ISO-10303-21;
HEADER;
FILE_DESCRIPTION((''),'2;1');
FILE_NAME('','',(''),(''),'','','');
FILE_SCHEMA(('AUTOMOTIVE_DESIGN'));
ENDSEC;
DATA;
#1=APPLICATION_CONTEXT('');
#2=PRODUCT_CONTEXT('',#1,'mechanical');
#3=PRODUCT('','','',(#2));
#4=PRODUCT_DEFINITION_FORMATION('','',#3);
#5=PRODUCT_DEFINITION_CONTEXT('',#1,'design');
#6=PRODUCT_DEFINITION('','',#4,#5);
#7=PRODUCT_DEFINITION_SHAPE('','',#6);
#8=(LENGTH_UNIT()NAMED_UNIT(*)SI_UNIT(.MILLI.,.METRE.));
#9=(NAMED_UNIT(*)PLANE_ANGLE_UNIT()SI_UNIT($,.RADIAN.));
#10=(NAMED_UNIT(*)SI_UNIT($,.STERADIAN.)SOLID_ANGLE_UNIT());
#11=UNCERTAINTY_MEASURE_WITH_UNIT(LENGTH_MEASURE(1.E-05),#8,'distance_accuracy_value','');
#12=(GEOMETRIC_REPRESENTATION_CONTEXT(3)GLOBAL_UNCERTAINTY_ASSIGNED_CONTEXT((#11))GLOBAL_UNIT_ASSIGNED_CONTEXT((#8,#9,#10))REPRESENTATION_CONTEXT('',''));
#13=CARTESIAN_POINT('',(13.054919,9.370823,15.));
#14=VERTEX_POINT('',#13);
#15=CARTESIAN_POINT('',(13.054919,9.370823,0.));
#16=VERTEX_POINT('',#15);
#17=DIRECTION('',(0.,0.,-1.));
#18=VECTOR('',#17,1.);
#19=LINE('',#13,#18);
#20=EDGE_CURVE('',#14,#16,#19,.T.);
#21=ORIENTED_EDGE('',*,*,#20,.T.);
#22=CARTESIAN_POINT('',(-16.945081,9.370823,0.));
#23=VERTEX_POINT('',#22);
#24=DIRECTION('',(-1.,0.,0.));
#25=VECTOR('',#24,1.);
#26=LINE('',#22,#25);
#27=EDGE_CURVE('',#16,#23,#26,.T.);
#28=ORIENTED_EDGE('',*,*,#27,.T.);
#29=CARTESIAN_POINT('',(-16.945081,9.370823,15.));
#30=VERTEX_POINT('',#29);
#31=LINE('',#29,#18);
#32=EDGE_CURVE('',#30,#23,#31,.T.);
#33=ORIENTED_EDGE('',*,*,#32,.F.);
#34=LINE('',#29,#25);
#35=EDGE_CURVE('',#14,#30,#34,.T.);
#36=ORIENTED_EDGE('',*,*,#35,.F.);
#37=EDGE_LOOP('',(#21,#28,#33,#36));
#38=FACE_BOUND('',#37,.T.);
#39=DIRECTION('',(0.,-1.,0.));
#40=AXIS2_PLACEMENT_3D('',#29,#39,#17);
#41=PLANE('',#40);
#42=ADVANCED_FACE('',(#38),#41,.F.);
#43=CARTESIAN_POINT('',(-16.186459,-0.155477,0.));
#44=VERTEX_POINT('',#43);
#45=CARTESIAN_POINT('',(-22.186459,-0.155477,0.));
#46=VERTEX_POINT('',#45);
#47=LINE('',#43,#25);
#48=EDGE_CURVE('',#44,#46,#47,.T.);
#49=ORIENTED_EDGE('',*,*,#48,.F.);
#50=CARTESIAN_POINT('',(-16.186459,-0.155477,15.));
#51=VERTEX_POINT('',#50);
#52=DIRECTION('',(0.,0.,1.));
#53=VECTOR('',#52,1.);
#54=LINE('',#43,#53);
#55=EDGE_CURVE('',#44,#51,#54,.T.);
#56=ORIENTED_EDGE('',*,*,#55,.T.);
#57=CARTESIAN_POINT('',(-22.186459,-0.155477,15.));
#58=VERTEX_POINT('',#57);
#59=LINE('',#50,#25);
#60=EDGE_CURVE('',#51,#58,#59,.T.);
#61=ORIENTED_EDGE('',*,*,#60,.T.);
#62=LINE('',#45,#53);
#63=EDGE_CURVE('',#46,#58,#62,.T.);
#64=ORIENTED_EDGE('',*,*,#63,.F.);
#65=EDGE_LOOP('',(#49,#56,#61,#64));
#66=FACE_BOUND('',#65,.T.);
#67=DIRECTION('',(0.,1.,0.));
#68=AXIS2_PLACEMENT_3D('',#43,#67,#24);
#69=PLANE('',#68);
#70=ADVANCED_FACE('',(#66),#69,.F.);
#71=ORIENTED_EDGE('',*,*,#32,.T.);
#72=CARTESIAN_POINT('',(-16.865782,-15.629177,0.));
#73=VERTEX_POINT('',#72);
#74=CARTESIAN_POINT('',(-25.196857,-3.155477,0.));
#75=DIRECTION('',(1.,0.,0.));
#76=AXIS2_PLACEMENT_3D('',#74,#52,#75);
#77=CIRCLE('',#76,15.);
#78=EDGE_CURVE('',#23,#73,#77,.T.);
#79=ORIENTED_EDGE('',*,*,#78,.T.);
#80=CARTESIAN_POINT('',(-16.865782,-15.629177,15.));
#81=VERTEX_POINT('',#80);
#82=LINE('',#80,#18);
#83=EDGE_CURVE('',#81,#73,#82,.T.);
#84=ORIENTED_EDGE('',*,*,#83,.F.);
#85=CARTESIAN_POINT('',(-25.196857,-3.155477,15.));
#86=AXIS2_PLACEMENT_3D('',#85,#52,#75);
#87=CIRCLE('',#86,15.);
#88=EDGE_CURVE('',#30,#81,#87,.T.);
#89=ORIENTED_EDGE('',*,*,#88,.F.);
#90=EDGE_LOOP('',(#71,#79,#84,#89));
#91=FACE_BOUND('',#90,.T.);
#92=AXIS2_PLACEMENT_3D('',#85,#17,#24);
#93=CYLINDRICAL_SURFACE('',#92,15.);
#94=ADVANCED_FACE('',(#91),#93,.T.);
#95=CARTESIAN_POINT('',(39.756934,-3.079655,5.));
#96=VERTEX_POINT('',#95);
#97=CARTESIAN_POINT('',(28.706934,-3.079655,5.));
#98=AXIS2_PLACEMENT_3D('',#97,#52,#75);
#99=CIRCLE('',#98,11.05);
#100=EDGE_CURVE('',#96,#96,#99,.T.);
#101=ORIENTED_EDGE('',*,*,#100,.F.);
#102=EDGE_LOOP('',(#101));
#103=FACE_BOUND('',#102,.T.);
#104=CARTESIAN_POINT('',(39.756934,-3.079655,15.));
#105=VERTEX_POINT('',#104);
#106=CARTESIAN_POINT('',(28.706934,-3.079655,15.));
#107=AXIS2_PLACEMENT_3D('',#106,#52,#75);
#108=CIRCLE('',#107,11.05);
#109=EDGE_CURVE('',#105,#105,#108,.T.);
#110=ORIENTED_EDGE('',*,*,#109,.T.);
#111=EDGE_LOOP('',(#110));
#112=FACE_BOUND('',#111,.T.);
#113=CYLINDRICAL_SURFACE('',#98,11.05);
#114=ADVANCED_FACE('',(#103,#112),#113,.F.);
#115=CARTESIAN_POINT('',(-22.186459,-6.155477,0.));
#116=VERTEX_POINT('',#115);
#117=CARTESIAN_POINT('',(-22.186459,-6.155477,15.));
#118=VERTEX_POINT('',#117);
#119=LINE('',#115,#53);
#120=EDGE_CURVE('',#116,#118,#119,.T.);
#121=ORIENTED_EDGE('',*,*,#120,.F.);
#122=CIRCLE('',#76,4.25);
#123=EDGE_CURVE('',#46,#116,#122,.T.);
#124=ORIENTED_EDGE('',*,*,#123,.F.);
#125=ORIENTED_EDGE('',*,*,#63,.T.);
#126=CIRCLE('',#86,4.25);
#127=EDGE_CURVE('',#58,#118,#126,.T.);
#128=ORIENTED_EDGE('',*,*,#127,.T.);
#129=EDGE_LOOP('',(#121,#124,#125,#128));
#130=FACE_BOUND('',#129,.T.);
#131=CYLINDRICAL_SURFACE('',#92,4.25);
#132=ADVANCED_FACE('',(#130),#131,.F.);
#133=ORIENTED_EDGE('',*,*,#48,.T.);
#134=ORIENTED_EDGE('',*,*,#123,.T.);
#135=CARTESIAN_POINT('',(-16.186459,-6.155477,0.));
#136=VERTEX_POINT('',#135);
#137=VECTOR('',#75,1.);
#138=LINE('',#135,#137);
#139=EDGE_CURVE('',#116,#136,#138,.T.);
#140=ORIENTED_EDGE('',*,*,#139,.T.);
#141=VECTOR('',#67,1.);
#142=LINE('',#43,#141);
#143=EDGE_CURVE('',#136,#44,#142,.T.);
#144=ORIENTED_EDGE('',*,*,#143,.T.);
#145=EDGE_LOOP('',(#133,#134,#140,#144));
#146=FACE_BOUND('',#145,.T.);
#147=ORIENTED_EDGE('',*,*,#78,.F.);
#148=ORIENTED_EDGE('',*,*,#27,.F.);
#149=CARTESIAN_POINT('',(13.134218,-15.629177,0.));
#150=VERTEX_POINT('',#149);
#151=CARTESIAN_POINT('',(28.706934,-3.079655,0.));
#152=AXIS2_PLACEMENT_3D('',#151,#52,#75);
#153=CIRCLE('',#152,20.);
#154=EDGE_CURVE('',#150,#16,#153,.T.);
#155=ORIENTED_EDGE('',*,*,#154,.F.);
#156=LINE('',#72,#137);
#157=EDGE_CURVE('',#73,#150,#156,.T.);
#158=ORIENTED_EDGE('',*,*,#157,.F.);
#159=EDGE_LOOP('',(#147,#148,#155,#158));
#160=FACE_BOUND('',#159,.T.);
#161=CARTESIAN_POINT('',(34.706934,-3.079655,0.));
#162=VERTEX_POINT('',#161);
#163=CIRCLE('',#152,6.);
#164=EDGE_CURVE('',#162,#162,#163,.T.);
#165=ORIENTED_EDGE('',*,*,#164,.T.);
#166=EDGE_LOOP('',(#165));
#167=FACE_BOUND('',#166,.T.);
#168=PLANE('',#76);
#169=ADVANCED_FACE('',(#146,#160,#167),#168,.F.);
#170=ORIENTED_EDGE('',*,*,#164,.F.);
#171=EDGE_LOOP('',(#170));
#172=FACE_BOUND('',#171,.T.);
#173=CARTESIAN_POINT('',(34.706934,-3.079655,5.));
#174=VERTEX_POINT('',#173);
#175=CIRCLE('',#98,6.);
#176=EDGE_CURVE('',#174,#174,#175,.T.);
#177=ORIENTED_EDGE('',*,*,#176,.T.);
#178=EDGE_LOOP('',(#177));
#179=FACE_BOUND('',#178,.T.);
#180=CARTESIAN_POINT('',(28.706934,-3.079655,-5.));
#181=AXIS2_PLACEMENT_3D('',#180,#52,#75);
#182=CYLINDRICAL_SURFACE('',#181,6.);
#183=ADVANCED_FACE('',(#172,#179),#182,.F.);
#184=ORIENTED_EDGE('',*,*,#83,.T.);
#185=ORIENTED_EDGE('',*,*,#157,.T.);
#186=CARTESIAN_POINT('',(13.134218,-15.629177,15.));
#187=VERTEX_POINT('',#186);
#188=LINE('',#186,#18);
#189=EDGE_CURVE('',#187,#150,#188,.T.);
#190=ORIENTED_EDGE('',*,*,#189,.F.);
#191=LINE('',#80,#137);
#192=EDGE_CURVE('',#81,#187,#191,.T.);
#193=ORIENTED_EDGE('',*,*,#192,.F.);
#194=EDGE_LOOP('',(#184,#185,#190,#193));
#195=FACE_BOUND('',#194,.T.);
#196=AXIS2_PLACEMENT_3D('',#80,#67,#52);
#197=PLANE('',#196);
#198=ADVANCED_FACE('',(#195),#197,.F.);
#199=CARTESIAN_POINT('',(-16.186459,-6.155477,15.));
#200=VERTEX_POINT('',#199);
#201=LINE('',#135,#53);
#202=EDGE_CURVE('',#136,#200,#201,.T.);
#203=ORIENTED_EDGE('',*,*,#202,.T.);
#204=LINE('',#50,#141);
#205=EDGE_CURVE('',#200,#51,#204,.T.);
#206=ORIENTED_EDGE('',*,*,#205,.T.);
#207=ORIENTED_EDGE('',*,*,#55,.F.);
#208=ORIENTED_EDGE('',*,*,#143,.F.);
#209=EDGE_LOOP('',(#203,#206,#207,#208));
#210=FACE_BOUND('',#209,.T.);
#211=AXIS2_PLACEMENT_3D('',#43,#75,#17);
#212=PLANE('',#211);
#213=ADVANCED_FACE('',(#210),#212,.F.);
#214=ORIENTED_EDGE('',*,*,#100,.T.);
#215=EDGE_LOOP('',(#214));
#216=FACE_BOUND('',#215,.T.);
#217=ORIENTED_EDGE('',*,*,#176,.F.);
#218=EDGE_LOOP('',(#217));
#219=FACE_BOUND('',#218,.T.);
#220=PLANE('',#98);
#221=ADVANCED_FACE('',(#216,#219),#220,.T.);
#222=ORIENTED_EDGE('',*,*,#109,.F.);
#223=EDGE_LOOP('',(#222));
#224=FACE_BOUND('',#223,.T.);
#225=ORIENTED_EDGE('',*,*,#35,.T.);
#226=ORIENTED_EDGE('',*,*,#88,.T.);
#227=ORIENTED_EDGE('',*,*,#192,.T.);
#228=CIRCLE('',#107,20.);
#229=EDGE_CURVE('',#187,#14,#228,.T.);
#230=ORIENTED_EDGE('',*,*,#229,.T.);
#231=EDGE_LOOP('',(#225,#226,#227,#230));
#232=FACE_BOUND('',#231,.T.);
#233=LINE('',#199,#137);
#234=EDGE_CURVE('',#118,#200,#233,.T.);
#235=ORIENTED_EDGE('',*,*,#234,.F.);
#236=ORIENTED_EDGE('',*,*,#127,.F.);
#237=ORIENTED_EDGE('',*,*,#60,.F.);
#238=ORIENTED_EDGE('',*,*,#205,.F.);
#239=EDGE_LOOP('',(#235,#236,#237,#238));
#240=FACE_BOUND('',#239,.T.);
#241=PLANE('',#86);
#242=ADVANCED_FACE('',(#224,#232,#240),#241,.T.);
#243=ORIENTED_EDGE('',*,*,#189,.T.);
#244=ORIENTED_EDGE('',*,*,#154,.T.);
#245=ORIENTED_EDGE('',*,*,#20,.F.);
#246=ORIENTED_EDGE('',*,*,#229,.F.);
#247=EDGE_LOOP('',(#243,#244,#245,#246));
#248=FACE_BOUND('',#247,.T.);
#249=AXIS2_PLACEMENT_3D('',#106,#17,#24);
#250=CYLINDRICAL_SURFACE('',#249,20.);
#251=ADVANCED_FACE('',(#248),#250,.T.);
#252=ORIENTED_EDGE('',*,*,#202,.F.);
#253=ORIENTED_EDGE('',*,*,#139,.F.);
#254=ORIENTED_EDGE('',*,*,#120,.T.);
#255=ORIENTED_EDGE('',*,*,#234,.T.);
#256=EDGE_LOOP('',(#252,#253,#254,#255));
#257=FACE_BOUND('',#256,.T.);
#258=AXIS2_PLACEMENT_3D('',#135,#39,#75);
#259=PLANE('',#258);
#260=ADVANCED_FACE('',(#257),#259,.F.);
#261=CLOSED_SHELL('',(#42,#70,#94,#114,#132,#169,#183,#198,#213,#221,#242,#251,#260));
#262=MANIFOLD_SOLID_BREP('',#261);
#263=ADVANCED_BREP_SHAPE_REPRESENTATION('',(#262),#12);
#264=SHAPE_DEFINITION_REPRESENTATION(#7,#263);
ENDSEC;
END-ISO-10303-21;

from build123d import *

# Parameters (mm, degrees)
SKETCH1_R           = 4.25
BOSS_EXTRUDE1_DEPTH = 15
SKETCH2_R           = 11.05
CUT_EXTRUDE1_DEPTH  = 10
SKETCH3_R           = 6
CUT_EXTRUDE2_DEPTH  = 10
CUT_EXTRUDE5_DEPTH  = 15


with BuildPart() as part:
    # Sketch1 → Boss-Extrude1 (new body)
    with BuildSketch(Plane.XY):
        with BuildLine():
            Line((-16.865782324, -15.62917697), (13.134217676, -15.62917697))
            ThreePointArc((13.134217676, -15.62917697), (48.706833622, -3.016216146), (13.054918576, 9.37082303))
            Line((13.054918576, 9.37082303), (-16.945081424, 9.37082303))
            ThreePointArc((-16.945081424, 9.37082303), (-40.196781878, -3.203056293), (-16.865782324, -15.62917697))
        make_face()
        with Locations((-25.196857337, -3.155477073)):
            Circle(SKETCH1_R, mode=Mode.SUBTRACT)
    extrude(amount=BOSS_EXTRUDE1_DEPTH)

    # Sketch2 → Cut-Extrude1 (cut)
    with BuildSketch(Plane.XY.offset(15)):
        with Locations((28.706934234, -3.079655107)):
            Circle(SKETCH2_R)
    extrude(amount=-CUT_EXTRUDE1_DEPTH, mode=Mode.SUBTRACT)

    # Sketch3 → Cut-Extrude2 (cut)
    with BuildSketch(Plane.XY.offset(5)):
        with Locations((28.706934234, -3.079655107)):
            Circle(SKETCH3_R)
    extrude(amount=-CUT_EXTRUDE2_DEPTH, mode=Mode.SUBTRACT)

    # Sketch5 → Cut-Extrude5 (cut)
    with BuildSketch(Plane.XY.offset(15)):
        with BuildLine():
            Line((-16.186458693, -0.155477073), (-22.186458693, -0.155477073))
            ThreePointArc((-22.186458693, -0.155477073), (-29.446857337, -3.155477073), (-22.186458693, -6.155477073))
            Line((-22.186458693, -6.155477073), (-16.186458693, -6.155477073))
            Line((-16.186458693, -6.155477073), (-16.186458693, -0.155477073))
        make_face()
    extrude(amount=-CUT_EXTRUDE5_DEPTH, mode=Mode.SUBTRACT)


solid = part.part
